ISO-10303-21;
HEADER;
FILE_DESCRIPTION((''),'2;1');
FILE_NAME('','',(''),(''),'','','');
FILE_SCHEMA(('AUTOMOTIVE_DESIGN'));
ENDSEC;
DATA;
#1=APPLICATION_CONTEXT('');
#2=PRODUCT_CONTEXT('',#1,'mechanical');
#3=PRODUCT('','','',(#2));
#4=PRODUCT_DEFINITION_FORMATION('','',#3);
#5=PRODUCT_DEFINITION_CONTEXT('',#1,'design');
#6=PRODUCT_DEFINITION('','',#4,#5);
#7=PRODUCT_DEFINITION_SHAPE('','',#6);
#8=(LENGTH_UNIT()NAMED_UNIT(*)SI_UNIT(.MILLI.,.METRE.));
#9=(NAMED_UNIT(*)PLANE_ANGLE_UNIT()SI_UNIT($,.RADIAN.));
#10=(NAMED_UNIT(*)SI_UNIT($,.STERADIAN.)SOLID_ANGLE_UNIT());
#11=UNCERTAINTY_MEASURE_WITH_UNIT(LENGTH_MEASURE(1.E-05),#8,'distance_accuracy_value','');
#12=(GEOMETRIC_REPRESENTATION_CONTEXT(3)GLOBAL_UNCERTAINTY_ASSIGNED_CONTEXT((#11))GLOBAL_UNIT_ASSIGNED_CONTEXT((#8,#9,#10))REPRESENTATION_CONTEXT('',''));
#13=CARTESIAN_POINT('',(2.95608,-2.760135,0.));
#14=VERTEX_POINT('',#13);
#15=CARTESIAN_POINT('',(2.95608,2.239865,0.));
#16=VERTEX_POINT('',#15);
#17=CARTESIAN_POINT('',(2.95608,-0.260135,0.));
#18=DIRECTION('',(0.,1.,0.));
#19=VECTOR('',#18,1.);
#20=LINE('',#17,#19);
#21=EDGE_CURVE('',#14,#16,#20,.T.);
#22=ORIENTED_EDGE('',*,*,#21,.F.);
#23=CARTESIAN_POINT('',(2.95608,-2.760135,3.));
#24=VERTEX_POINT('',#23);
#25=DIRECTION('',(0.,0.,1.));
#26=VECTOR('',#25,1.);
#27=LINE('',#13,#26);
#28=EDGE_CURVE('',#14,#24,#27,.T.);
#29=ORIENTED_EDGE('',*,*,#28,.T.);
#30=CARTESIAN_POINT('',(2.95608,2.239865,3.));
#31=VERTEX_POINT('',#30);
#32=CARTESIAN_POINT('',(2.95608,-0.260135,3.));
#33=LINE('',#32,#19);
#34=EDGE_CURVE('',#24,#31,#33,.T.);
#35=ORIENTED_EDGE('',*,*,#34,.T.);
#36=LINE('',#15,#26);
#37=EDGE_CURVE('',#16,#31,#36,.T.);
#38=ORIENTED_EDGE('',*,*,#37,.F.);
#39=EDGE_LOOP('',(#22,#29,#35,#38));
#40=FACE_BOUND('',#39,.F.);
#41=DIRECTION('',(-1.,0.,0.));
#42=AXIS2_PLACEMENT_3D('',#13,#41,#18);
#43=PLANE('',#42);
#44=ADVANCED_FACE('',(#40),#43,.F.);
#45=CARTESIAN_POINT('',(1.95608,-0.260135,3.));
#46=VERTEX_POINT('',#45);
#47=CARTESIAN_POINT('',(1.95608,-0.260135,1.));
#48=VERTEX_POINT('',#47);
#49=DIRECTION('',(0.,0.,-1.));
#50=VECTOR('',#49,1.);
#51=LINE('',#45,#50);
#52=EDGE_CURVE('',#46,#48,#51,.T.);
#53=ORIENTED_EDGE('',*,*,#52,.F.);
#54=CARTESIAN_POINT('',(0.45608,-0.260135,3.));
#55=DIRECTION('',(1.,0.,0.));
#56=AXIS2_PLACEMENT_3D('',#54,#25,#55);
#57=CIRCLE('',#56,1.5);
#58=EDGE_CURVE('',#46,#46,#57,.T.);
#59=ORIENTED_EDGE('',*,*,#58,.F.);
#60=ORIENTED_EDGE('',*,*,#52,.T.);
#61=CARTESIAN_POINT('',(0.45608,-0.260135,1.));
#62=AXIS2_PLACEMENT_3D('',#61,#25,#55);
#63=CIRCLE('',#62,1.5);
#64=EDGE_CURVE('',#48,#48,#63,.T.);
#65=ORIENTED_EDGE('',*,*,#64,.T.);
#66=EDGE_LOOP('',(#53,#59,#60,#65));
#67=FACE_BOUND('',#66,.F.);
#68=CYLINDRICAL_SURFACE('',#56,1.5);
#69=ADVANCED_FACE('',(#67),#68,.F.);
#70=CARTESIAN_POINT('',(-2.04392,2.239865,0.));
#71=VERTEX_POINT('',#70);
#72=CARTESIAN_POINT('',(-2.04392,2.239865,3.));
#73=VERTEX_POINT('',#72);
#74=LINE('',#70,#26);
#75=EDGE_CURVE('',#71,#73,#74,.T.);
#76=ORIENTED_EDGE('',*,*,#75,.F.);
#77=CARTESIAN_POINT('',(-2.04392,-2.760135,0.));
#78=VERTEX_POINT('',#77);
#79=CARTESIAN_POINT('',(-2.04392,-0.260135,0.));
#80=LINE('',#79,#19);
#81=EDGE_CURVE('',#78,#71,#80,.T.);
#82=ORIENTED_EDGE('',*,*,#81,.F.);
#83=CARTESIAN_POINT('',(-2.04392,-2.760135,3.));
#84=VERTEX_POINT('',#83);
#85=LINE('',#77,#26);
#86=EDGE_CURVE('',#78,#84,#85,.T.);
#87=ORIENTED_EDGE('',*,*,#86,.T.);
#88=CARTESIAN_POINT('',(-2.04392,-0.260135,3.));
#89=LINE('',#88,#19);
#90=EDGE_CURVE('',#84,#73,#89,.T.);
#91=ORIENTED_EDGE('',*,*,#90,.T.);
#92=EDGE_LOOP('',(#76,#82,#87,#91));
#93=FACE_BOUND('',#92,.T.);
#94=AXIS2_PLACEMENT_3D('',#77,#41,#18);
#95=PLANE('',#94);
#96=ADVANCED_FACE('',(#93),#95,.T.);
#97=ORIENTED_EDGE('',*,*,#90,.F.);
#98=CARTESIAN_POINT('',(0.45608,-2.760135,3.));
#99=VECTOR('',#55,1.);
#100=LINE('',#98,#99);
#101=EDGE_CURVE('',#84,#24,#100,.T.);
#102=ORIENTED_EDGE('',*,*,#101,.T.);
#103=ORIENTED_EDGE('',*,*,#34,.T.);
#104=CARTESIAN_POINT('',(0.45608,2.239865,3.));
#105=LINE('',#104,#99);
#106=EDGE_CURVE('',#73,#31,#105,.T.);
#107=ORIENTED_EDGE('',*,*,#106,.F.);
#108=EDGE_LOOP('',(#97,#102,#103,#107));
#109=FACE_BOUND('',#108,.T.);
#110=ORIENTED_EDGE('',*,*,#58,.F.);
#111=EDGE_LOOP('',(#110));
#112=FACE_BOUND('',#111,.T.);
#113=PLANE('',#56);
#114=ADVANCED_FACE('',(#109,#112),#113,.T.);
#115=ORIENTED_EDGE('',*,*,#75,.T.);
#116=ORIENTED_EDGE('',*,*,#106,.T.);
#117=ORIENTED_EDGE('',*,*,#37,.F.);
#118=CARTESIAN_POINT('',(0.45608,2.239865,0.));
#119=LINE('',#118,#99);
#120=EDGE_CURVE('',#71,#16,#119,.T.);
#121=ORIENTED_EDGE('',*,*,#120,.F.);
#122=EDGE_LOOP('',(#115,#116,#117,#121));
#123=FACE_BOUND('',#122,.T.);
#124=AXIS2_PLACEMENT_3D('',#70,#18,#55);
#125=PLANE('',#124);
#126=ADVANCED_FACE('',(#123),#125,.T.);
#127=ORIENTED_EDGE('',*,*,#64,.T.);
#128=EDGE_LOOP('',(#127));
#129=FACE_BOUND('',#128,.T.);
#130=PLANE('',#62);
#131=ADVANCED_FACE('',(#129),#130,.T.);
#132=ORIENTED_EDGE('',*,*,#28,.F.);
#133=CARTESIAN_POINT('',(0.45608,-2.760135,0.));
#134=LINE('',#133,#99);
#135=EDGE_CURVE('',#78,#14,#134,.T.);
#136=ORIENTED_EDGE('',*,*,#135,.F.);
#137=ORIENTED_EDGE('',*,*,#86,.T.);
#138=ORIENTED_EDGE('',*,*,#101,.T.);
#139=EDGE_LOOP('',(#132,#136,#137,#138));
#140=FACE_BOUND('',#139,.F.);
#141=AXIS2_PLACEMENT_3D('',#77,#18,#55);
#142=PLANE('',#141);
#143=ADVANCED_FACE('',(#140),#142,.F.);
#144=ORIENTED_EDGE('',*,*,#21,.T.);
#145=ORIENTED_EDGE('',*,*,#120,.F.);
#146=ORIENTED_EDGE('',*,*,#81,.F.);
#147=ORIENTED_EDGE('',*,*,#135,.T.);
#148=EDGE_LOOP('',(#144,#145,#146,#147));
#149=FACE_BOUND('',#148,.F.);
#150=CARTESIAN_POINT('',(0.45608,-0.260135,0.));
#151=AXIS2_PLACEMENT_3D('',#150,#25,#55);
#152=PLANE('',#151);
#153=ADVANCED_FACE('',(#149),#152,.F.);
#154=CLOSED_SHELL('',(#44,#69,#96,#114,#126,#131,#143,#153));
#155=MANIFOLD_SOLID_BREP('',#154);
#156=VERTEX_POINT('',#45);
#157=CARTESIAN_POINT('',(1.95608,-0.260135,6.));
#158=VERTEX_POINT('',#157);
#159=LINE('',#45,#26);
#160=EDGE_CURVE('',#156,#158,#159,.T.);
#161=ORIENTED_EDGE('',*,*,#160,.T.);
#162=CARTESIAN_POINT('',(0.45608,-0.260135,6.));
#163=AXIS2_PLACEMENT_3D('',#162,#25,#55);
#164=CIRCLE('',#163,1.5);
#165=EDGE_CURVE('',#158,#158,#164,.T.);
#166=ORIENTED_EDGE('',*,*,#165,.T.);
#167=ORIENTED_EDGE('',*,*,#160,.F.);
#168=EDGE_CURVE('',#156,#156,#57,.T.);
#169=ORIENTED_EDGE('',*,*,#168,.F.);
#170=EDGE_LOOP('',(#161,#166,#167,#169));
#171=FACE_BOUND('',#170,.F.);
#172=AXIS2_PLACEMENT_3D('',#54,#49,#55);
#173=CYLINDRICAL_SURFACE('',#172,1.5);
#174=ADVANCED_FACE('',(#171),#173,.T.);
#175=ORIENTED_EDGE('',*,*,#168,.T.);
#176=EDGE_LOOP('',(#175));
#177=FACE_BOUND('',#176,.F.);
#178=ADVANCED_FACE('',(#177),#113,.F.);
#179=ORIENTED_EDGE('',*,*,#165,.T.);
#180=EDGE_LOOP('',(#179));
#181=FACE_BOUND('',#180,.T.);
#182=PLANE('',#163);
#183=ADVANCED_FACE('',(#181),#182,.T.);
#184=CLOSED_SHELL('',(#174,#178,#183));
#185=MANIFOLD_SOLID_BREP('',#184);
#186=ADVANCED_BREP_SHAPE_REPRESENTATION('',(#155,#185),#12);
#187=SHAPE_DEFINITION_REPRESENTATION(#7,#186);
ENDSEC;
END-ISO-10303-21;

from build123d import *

# Parameters (mm, degrees)
F0_W     = 5
F0_H     = 5
F1_DEPTH = 3
F2_R     = 1.5
F3_DEPTH = 2
F4_DEPTH = 3


with BuildPart() as f1:
    # F0 (on Top) → F1 (new body)
    with BuildSketch(Plane.XY):
        with Locations((0.45608, -0.260135)):
            Rectangle(F0_W, F0_H)
    extrude(amount=F1_DEPTH)

    # F2 (on face) → F3 (cut)
    with BuildSketch(Plane.XY.offset(3)):
        with Locations((0.45608, -0.260135)):
            Circle(F2_R)
    extrude(amount=-F3_DEPTH, mode=Mode.SUBTRACT)


with BuildPart() as f4:
    # F2 (on face) → F4 (new body)
    with BuildSketch(Plane.XY.offset(3)):
        with Locations((0.45608, -0.260135)):
            Circle(F2_R)
    extrude(amount=F4_DEPTH)


solid = Compound([f1.part, f4.part])
